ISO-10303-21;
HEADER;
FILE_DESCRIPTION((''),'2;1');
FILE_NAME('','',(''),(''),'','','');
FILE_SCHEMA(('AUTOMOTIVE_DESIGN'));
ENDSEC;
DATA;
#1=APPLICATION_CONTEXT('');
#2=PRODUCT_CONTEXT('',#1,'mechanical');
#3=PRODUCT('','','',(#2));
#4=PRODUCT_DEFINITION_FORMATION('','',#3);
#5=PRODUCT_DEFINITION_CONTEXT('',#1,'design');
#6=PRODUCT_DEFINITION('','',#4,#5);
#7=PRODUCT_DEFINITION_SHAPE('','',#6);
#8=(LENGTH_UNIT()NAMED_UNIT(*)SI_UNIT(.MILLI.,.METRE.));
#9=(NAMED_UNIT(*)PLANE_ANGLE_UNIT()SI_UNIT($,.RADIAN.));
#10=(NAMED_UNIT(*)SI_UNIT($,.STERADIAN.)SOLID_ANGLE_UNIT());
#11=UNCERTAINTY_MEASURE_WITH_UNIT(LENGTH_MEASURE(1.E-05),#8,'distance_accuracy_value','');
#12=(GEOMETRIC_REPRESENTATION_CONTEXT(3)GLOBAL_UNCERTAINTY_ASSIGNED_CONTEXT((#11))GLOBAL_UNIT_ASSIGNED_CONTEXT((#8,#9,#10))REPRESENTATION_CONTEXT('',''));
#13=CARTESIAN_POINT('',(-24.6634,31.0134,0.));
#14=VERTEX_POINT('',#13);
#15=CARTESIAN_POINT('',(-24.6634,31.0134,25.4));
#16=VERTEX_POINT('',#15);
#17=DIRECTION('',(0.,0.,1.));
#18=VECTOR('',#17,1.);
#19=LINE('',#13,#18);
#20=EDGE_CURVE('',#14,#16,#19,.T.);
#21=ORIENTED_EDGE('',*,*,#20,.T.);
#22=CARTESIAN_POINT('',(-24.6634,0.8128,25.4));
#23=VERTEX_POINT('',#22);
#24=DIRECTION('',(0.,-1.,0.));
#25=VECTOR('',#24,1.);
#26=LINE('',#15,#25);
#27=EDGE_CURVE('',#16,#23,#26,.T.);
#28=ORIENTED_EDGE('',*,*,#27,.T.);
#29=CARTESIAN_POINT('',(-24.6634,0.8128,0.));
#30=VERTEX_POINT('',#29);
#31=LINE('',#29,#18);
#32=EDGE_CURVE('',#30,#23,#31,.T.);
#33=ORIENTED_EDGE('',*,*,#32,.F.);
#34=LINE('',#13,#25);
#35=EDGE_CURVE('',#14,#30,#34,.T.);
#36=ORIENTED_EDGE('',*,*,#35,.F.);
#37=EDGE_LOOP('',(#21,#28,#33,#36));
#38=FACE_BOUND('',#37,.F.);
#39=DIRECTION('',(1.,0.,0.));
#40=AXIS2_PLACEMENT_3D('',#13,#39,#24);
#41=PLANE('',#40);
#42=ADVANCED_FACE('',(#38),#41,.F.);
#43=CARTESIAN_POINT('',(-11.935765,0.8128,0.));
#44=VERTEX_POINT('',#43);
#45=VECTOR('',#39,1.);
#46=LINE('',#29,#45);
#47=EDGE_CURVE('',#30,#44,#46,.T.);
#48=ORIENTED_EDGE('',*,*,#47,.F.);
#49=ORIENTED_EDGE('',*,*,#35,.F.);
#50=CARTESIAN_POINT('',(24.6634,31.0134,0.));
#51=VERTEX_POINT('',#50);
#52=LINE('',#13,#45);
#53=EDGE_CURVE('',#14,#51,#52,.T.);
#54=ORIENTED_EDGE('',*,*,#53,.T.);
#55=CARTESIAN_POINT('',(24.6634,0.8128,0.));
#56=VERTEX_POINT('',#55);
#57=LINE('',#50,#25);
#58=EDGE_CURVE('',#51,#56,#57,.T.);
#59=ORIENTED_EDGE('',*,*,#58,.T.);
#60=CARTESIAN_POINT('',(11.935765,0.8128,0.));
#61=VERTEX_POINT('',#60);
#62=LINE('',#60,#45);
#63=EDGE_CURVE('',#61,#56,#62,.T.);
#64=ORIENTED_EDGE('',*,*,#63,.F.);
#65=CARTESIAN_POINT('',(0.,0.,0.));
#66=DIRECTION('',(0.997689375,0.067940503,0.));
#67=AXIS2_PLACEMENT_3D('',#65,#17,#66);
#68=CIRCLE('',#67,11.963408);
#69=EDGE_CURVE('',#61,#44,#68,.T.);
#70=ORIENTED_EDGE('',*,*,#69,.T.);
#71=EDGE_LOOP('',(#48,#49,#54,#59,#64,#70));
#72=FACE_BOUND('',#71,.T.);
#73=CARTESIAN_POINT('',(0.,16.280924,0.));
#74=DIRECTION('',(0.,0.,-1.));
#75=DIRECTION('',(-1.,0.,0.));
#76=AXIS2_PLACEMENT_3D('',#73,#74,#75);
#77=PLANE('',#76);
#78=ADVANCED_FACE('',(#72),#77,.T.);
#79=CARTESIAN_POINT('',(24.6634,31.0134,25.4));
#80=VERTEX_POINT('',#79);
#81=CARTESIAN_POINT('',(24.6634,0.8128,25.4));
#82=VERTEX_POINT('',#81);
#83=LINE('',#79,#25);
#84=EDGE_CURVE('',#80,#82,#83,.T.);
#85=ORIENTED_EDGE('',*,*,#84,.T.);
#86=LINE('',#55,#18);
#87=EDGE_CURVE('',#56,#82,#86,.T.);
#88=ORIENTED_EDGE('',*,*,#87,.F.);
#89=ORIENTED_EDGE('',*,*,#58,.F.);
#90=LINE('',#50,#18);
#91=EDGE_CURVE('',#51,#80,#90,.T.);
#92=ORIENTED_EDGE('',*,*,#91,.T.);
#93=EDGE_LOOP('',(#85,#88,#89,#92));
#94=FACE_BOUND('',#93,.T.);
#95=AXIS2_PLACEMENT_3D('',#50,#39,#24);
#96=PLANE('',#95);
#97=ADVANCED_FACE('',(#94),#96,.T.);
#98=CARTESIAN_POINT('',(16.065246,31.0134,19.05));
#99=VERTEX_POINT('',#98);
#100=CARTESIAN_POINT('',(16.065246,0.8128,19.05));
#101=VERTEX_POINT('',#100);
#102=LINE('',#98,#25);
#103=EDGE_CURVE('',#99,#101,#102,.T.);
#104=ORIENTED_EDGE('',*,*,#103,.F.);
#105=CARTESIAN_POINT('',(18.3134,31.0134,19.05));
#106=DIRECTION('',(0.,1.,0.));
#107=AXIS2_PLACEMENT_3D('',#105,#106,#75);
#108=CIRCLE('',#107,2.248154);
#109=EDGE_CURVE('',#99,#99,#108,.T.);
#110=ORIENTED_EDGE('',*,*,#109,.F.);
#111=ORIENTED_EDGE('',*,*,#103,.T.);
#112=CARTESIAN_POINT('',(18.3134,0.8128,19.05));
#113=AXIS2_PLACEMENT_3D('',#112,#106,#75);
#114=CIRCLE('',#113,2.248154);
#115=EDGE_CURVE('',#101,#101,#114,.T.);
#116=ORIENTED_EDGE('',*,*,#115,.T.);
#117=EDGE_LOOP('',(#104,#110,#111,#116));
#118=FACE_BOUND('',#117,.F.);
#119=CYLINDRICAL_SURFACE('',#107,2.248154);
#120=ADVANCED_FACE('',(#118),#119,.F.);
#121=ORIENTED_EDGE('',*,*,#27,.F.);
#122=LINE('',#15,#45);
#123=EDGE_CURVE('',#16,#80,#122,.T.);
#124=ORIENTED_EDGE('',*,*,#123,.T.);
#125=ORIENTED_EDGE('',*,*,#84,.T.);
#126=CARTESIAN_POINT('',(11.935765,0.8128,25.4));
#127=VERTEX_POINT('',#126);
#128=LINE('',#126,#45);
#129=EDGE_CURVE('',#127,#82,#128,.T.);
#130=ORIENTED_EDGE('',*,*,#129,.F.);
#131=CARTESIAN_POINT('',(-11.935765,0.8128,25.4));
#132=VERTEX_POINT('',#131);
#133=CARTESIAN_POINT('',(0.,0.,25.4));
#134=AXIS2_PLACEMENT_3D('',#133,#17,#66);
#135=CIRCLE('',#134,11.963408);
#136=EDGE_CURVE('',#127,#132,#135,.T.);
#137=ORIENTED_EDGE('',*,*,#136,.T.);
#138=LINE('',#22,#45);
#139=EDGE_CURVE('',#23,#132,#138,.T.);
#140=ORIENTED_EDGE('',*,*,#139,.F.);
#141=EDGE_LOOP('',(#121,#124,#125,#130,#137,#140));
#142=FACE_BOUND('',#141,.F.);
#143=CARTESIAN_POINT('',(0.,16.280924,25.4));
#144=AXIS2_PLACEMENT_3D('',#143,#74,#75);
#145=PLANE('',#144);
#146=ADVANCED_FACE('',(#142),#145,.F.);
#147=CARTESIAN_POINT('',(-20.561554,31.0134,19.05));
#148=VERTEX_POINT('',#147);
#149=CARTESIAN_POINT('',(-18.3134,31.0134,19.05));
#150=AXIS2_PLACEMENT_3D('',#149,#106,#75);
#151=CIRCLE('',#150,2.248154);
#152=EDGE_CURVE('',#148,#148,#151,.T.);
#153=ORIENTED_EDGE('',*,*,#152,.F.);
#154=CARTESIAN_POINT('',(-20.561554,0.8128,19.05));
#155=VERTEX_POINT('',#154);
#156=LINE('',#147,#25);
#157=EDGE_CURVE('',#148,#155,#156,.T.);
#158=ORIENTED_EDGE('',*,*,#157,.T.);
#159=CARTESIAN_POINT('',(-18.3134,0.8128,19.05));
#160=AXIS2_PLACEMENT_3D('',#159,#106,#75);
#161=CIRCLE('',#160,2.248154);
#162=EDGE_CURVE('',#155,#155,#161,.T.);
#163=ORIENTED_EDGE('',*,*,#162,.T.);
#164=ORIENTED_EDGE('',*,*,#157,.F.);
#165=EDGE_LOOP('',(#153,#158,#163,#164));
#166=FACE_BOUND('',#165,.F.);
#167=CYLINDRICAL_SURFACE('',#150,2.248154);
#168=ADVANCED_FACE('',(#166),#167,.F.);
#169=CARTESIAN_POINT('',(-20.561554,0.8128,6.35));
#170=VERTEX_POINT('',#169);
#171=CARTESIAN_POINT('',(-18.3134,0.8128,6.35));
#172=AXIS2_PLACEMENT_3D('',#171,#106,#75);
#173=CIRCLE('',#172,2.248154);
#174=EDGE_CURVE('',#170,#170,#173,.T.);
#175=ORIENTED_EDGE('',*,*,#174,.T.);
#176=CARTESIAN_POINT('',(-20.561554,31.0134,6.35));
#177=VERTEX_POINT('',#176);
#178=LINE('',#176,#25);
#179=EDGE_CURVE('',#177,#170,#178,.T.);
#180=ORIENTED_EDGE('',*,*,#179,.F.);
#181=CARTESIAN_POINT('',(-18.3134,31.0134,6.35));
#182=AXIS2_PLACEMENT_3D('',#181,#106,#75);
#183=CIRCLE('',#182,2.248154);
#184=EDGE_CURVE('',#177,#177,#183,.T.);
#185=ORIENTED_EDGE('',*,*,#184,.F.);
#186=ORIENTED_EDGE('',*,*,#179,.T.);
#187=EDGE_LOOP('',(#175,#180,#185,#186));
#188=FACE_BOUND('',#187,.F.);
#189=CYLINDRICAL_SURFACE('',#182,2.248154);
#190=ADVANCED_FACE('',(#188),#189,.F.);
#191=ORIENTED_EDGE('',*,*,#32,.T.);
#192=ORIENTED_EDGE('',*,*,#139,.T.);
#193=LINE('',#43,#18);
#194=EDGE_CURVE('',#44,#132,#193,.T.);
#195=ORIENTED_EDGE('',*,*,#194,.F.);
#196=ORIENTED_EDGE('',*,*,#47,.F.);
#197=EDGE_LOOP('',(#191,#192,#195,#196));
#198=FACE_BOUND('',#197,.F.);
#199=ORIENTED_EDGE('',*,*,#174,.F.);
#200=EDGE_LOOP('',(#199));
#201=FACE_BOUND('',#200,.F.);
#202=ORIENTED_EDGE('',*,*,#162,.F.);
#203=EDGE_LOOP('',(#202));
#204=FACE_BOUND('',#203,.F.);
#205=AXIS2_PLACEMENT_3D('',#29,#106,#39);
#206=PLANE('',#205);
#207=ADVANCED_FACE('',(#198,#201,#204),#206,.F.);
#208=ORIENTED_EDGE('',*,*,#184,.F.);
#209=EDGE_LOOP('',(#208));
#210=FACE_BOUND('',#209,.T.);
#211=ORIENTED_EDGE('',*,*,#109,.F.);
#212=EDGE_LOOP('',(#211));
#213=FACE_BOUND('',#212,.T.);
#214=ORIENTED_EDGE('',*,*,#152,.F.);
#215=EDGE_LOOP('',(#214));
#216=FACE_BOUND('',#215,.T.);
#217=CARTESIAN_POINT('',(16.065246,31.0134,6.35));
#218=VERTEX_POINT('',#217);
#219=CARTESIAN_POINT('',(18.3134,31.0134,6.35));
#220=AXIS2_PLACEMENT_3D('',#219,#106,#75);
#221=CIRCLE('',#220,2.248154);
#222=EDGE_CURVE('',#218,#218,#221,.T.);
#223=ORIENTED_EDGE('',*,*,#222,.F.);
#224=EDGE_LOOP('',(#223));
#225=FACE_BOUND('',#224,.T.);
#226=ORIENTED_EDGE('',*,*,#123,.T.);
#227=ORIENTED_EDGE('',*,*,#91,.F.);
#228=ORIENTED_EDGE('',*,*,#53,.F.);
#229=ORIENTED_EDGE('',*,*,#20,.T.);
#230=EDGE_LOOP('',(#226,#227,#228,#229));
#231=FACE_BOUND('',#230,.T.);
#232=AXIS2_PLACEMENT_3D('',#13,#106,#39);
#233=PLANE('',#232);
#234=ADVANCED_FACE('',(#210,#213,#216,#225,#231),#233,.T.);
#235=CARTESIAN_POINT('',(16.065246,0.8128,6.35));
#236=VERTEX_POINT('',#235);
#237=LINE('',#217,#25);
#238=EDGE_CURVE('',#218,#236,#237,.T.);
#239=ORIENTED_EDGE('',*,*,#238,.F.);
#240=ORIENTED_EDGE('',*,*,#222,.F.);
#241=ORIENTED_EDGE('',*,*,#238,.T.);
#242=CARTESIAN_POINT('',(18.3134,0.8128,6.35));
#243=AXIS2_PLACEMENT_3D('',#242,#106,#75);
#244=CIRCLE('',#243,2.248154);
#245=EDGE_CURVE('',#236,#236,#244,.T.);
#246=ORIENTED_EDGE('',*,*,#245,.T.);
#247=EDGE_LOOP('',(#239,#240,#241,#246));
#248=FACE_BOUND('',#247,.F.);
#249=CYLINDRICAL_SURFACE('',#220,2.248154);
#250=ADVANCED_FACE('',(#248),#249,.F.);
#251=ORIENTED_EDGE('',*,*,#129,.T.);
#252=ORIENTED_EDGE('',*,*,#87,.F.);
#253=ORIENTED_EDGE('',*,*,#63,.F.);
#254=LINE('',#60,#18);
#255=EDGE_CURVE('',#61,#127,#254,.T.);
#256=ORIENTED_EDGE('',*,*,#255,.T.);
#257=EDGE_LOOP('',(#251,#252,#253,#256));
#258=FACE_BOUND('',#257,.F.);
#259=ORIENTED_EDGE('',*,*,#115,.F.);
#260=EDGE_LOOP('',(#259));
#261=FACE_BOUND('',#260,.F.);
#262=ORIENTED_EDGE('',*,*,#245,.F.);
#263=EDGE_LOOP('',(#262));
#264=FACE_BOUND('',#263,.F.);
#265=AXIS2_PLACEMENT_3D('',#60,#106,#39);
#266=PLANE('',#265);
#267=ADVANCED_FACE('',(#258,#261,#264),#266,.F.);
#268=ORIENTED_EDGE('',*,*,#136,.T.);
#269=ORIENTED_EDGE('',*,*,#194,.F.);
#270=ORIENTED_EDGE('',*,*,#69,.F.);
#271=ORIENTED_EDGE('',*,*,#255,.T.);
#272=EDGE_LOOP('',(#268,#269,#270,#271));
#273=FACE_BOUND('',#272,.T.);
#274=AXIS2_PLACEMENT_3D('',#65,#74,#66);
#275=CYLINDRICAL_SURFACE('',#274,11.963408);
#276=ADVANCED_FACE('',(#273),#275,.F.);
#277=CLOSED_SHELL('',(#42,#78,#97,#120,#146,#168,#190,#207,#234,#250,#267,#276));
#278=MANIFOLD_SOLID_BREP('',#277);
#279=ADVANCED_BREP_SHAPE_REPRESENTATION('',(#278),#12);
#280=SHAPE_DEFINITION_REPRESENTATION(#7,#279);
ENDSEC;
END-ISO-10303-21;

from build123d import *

# Parameters (mm, degrees)
PAD_DEPTH    = 25.4
SKETCH001_R  = 2.248154
POCKET_DEPTH = 30.2016


with BuildPart() as part:
    # Sketch → Pad (new body)
    with BuildSketch(Plane.XY):
        with BuildLine():
            ThreePointArc((11.935765, 0.8128), (0, 11.963408), (-11.935765, 0.8128))
            Line((-24.6634, 0.8128), (-11.935765, 0.8128))
            Line((-24.6634, 31.0134), (-24.6634, 0.8128))
            Line((-24.6634, 31.0134), (24.6634, 31.0134))
            Line((24.6634, 31.0134), (24.6634, 0.8128))
            Line((11.935765, 0.8128), (24.6634, 0.8128))
        make_face()
    extrude(amount=PAD_DEPTH)

    # Sketch001 (on Face4 of Pad) → Pocket (cut, through all)
    with BuildSketch(Plane(origin=(0, 31.0134, 0), x_dir=(-1, 0, 0), z_dir=(0, 1, 0))):
        with Locations((18.3134, 6.35)):
            Circle(SKETCH001_R)
        with Locations((18.3134, 19.05)):
            Circle(SKETCH001_R)
        with Locations((-18.3134, 19.05)):
            Circle(SKETCH001_R)
        with Locations((-18.3134, 6.35)):
            Circle(SKETCH001_R)
    extrude(amount=-POCKET_DEPTH, mode=Mode.SUBTRACT)


solid = part.part
